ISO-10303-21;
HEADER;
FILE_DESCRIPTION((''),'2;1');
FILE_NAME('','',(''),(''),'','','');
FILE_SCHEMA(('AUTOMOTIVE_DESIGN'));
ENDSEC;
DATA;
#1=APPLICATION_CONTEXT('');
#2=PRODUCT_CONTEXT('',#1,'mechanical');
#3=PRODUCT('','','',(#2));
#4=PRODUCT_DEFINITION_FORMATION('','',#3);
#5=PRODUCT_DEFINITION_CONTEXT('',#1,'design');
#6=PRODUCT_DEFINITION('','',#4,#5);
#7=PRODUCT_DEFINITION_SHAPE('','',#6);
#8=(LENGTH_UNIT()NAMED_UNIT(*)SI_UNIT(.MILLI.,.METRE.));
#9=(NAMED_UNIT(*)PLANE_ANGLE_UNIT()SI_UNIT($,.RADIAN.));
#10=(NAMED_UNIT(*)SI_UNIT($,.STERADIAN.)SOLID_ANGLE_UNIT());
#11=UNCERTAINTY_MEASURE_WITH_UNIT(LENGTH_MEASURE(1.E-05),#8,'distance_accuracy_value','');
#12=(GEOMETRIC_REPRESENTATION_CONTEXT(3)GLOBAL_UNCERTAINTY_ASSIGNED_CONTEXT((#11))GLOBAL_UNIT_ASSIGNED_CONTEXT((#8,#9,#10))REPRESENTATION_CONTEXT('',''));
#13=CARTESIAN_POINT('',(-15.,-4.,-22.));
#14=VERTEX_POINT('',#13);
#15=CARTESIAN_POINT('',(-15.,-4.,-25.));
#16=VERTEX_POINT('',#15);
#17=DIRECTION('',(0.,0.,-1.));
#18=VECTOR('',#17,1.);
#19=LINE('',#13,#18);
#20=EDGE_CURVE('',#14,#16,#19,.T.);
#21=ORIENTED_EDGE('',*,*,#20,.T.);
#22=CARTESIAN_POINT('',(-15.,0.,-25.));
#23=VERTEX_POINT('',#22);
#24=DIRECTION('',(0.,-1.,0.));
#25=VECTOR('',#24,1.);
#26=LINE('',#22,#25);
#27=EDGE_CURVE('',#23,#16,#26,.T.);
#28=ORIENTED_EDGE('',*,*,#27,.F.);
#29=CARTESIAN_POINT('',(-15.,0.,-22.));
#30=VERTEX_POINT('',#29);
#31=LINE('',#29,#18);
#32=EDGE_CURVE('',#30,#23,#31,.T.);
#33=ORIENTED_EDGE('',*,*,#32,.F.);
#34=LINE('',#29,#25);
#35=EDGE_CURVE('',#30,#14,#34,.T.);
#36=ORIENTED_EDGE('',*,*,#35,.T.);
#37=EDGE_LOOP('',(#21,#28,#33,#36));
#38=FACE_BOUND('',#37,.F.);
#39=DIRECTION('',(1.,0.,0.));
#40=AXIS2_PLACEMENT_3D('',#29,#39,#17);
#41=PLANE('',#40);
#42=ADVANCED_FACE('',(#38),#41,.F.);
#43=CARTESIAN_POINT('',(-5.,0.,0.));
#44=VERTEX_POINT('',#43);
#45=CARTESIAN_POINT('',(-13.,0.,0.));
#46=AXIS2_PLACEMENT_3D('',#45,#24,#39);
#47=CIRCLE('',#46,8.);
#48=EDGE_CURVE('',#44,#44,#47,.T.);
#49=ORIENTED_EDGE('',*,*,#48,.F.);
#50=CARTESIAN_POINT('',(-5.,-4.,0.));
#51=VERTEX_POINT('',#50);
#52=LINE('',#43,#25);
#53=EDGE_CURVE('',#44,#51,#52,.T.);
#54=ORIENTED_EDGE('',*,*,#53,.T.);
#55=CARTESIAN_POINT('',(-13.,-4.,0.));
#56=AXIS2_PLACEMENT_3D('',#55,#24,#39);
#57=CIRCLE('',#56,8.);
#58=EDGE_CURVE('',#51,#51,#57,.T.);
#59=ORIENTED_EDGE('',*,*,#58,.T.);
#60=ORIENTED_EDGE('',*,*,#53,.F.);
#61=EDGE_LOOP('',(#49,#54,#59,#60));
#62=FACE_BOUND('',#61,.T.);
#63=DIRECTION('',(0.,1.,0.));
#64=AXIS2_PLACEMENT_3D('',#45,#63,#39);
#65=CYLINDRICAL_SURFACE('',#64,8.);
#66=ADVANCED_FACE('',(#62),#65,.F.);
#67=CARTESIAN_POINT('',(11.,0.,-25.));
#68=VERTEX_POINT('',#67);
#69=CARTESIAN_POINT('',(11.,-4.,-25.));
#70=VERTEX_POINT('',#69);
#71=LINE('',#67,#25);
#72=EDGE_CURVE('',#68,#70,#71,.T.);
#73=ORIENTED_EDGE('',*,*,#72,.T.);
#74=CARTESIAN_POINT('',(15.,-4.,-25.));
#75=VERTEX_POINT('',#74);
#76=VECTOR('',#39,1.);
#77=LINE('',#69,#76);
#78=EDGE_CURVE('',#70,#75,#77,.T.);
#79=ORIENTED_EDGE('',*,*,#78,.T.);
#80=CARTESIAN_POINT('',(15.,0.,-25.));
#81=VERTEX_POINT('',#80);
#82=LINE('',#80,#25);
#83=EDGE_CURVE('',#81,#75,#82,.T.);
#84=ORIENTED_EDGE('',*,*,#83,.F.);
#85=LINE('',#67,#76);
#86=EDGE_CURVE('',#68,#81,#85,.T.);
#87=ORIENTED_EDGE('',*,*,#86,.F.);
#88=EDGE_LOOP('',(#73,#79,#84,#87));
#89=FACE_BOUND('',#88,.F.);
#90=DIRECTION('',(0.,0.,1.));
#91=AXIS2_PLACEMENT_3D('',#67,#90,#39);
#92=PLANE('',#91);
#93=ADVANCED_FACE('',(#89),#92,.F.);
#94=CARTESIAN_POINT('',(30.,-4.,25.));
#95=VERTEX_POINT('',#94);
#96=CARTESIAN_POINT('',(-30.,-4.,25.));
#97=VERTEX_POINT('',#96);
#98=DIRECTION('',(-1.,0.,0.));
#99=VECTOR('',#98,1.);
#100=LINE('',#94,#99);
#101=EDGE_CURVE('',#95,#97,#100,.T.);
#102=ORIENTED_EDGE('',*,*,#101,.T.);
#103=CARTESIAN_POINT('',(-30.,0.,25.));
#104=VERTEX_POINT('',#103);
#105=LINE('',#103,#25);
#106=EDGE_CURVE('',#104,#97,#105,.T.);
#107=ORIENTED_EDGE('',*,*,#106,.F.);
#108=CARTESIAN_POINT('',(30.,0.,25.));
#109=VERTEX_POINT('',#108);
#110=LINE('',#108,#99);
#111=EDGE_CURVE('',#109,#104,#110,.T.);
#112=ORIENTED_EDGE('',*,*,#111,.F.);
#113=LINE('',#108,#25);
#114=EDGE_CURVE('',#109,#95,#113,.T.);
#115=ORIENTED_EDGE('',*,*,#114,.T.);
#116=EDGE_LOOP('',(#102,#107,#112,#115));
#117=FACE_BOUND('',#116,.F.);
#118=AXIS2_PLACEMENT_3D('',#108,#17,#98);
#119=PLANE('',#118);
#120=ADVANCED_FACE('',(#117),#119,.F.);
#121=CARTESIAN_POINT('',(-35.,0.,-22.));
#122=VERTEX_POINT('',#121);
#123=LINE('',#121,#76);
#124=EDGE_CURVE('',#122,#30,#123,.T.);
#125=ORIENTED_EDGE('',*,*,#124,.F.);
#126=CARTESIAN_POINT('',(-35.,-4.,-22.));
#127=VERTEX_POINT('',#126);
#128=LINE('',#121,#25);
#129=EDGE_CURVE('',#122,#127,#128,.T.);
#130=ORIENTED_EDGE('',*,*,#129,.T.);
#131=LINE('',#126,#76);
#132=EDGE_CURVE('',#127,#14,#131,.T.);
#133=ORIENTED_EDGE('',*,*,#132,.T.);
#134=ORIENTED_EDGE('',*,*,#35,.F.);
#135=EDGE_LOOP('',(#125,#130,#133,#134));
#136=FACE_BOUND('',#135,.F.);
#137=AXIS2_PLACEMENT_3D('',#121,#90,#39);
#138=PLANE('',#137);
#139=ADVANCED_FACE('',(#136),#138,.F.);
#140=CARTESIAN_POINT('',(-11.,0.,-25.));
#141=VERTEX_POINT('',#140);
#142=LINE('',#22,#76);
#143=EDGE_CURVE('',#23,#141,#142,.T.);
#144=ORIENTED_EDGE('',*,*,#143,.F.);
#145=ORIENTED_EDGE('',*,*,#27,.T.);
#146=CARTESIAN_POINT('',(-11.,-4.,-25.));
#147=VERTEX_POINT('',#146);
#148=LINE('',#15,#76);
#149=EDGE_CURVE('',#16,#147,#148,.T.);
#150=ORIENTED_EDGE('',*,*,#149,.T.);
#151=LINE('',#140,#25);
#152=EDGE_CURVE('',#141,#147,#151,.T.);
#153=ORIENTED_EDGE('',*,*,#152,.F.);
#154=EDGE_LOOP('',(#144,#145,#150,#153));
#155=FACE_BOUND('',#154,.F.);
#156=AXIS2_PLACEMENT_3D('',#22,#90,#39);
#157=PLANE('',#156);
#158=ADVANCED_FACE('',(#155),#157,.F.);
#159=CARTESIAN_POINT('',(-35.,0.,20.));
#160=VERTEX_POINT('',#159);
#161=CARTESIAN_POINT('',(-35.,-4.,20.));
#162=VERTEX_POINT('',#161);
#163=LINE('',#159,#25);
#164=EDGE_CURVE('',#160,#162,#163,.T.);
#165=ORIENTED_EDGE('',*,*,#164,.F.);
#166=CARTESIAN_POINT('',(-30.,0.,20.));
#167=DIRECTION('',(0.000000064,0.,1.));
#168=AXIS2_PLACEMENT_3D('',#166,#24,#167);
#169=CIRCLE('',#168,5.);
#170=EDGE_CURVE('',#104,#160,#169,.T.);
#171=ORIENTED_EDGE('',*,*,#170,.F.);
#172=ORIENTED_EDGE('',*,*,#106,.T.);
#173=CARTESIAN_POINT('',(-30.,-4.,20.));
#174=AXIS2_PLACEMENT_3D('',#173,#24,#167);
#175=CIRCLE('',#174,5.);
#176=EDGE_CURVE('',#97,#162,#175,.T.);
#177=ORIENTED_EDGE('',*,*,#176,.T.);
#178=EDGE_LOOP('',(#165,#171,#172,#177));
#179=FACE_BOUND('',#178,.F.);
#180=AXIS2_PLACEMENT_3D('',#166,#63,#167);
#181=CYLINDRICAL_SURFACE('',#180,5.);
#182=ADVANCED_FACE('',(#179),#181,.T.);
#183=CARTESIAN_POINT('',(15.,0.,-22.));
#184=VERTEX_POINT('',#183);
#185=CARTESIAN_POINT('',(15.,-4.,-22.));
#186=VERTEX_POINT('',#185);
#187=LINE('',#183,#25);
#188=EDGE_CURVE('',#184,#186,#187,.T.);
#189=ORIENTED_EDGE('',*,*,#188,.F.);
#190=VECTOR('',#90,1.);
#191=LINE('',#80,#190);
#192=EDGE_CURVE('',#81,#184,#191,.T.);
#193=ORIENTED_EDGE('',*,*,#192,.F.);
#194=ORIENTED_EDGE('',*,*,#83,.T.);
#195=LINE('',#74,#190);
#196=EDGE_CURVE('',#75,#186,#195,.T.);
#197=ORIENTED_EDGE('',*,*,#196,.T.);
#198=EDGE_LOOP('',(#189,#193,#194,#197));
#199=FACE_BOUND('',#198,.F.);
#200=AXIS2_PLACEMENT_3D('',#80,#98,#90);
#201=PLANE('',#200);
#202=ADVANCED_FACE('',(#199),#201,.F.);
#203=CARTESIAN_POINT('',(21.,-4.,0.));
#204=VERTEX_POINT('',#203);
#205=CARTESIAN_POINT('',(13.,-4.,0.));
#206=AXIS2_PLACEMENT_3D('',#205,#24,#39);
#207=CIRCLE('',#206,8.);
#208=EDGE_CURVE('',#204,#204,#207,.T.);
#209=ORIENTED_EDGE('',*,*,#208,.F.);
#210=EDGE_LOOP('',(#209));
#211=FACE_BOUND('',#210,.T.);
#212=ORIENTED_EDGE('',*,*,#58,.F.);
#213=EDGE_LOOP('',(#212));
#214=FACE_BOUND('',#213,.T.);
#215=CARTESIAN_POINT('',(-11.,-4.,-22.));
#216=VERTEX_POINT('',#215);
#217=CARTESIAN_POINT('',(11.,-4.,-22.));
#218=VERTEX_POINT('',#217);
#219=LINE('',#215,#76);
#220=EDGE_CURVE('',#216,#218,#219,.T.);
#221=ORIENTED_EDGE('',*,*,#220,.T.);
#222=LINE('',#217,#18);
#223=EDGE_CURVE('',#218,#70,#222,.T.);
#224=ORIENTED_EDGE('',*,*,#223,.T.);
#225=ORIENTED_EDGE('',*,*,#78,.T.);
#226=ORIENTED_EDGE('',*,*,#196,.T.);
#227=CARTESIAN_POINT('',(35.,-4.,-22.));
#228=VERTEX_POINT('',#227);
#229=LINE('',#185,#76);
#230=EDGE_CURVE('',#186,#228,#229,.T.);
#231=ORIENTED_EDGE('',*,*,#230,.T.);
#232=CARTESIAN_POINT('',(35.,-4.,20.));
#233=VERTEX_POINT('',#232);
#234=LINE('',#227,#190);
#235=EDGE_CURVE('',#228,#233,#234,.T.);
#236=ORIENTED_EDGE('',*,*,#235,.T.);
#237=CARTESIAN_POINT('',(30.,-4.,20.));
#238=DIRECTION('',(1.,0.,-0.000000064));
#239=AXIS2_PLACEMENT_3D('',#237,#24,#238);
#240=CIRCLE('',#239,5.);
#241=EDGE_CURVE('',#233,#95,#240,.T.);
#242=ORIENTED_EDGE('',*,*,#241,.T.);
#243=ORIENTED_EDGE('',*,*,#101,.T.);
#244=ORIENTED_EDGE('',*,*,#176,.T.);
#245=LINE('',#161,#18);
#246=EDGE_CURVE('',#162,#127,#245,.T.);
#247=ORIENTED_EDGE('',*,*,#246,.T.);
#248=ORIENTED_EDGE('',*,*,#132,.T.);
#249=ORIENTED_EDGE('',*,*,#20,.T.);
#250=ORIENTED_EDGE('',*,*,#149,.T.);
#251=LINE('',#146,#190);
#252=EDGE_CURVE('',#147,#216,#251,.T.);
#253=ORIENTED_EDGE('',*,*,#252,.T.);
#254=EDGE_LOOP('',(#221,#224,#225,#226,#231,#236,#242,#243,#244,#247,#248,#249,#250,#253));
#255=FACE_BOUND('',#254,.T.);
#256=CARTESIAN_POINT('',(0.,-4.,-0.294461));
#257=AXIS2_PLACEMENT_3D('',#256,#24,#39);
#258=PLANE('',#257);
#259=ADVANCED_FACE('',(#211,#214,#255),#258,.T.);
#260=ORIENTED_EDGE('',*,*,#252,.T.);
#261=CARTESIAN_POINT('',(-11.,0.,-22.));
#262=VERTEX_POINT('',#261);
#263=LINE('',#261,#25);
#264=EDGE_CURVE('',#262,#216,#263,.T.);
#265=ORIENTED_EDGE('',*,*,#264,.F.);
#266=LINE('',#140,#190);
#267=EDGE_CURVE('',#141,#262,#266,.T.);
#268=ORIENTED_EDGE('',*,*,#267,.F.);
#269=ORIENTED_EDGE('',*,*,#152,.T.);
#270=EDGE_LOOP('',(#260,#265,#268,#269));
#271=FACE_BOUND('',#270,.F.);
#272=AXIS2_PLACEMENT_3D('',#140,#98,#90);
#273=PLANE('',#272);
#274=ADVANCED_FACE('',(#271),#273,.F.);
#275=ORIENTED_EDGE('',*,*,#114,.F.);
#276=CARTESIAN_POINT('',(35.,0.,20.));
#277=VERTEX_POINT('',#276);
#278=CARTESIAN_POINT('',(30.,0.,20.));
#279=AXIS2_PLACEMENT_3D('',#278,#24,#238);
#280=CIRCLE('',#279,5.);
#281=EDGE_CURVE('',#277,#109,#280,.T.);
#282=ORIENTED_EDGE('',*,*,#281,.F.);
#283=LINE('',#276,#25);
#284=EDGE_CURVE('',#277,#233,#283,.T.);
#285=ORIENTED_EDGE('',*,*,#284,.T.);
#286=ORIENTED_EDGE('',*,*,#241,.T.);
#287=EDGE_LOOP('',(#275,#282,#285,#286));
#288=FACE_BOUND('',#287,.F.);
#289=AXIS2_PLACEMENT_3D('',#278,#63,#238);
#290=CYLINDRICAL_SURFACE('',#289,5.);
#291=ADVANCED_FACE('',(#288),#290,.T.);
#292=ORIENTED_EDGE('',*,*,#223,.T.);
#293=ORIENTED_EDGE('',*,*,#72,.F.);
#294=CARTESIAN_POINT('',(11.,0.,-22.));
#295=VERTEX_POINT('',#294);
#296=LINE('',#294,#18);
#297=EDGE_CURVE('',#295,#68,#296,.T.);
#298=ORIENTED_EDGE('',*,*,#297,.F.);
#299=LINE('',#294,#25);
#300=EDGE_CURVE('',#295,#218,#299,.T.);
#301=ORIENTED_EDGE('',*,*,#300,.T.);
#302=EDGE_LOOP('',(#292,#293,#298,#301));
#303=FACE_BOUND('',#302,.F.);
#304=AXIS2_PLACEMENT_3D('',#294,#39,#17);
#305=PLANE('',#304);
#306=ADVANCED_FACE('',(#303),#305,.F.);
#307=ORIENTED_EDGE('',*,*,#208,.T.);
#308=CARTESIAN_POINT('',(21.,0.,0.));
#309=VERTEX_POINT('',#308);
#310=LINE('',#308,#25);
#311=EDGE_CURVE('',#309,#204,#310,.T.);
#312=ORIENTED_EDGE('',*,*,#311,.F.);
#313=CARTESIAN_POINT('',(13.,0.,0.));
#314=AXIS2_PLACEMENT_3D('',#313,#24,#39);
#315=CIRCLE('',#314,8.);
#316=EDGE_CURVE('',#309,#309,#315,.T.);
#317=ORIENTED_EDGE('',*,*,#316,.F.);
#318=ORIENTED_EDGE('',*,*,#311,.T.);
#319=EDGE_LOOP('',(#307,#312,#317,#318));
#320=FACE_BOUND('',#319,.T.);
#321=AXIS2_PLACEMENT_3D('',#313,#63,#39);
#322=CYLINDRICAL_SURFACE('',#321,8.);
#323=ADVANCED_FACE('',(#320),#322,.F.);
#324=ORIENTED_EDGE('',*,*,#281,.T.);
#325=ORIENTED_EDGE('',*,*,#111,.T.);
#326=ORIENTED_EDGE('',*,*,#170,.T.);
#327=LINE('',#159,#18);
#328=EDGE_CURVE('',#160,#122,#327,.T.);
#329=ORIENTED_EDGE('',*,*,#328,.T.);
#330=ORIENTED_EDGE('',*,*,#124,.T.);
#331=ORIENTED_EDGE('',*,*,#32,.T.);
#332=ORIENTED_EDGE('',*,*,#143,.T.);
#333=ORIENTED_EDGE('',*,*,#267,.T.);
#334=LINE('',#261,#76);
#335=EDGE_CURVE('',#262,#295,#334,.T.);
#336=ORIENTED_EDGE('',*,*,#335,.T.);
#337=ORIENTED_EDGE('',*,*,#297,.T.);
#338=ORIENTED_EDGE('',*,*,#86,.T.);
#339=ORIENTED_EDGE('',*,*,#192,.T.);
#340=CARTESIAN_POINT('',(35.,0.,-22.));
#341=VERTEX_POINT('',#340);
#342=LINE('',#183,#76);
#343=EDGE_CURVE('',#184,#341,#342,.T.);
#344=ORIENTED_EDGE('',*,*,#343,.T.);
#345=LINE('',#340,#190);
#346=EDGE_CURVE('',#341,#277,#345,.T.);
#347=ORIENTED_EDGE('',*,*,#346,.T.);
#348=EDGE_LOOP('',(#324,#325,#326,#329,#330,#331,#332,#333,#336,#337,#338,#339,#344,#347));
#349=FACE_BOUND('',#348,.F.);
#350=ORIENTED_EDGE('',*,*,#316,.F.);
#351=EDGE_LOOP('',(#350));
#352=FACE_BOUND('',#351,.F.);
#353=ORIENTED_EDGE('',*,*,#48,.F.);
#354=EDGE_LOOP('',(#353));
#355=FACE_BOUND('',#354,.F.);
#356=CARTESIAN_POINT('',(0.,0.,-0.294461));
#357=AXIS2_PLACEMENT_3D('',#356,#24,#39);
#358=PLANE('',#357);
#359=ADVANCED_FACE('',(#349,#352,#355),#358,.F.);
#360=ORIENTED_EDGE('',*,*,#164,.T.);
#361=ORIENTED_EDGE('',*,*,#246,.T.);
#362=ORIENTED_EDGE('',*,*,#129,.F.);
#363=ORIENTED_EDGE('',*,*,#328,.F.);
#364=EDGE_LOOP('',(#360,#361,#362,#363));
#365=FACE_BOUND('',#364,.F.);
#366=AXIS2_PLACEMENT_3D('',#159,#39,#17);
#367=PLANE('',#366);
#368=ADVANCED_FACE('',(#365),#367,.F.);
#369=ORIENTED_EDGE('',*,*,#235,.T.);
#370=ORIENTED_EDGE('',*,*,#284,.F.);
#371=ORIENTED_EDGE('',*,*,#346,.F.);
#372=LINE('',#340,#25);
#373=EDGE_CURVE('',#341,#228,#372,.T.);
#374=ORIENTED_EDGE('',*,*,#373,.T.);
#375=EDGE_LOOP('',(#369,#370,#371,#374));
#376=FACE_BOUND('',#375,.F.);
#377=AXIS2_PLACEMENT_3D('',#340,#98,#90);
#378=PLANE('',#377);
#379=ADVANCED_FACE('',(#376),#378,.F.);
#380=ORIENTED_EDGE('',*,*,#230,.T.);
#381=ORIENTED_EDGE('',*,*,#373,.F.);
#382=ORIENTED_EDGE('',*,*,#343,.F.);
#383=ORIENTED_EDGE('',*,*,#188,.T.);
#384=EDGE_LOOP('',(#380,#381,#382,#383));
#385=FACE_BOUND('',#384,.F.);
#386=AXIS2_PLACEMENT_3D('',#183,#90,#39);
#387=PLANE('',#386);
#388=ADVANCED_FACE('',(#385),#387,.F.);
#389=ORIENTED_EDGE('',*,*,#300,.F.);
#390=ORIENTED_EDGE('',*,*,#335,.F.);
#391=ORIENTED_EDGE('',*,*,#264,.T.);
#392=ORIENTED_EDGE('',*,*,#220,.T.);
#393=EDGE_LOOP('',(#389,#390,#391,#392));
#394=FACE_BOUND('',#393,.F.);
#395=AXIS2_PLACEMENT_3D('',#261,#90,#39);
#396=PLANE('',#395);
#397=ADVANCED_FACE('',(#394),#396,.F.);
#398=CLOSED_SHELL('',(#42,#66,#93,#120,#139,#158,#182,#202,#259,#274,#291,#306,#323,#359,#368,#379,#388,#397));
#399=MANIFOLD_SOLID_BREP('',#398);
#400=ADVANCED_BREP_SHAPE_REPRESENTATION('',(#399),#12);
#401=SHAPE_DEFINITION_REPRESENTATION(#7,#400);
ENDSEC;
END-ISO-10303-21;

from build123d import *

# Parameters (mm, degrees)
F0_R     = 8
F1_DEPTH = 4


with BuildPart() as f1:
    # F0 (on Front) → F1 (new body)
    with BuildSketch(Plane.XZ):
        with BuildLine():
            Line((30, 25), (-30, 25))
            ThreePointArc((-30, 25), (-33.535534, 23.535534), (-35, 20))
            Line((-35, 20), (-35, -22))
            Line((-35, -22), (-15, -22))
            Line((-15, -22), (-15, -25))
            Line((-15, -25), (-11, -25))
            Line((-11, -25), (-11, -22))
            Line((-11, -22), (11, -22))
            Line((11, -22), (11, -25))
            Line((11, -25), (15, -25))
            Line((15, -25), (15, -22))
            Line((15, -22), (35, -22))
            Line((35, -22), (35, 20))
            ThreePointArc((35, 20), (33.535534, 23.535534), (30, 25))
        make_face()
        with Locations((-13, 0)):
            Circle(F0_R, mode=Mode.SUBTRACT)
        with Locations((13, 0)):
            Circle(F0_R, mode=Mode.SUBTRACT)
    extrude(amount=F1_DEPTH)


solid = f1.part
